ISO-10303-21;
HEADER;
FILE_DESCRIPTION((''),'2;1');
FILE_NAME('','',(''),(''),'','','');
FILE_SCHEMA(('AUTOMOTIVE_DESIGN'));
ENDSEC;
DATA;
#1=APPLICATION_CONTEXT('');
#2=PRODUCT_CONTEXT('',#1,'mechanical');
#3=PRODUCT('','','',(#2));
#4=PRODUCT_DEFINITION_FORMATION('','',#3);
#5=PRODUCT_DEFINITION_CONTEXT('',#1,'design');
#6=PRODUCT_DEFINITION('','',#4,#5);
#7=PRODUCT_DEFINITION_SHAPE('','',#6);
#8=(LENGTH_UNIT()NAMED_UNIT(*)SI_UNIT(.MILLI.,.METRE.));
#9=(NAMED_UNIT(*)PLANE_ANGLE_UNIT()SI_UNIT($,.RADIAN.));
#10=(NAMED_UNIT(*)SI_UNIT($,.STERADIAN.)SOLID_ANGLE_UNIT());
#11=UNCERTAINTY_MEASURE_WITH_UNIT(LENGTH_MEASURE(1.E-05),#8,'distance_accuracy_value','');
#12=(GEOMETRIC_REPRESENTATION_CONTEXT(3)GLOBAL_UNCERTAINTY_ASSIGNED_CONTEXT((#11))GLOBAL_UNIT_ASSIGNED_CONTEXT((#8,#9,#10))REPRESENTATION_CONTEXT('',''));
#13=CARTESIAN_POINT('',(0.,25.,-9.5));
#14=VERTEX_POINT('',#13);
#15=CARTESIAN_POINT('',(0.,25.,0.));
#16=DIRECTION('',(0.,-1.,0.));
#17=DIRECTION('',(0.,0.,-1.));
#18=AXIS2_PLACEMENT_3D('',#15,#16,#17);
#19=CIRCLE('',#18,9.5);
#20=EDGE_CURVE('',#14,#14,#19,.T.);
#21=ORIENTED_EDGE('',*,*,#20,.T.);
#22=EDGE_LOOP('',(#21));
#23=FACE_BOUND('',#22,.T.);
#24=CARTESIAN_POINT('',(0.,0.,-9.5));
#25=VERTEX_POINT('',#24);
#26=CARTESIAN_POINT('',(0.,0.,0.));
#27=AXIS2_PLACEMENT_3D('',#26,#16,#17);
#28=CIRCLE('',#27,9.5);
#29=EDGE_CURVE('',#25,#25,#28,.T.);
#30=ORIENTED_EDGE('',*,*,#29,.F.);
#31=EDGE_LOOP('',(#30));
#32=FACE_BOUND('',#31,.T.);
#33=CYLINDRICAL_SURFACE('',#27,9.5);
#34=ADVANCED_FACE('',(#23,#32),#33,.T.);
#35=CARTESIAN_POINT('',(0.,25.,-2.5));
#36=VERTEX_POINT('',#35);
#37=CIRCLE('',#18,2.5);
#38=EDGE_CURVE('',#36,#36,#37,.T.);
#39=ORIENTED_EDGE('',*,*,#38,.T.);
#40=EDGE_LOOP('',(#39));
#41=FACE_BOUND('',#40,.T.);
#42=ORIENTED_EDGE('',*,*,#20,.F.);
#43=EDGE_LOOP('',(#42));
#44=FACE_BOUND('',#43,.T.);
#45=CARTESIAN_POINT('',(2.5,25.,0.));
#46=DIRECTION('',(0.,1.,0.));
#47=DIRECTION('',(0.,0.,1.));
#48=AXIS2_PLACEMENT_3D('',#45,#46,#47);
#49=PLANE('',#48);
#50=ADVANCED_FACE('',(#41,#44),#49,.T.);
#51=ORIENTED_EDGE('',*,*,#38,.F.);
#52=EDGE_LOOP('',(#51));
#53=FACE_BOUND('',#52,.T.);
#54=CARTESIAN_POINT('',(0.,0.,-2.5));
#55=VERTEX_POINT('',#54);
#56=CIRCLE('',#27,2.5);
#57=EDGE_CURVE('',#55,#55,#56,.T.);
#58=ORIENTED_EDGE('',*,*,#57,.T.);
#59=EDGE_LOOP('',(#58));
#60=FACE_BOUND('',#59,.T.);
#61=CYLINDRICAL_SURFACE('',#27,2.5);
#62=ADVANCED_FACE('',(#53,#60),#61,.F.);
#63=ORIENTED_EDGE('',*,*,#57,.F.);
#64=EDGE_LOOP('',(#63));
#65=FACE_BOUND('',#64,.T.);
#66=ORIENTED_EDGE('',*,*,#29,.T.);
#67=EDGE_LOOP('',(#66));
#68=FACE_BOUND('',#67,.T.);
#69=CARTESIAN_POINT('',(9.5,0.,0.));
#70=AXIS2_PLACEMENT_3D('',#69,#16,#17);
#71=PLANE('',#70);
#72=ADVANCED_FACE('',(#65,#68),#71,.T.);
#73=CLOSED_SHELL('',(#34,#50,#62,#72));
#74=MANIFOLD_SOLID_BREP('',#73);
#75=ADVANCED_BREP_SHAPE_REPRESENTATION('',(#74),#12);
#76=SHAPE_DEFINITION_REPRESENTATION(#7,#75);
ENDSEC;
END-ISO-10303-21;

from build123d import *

# Parameters (mm, degrees)
SKETCH1_W = 7
SKETCH1_H = 25


with BuildPart() as part:
    # Sketch1 → Revolve1 (revolve)
    with BuildSketch(Plane.XY, mode=Mode.PRIVATE) as revolve1_sk:
        with Locations((6, 12.5)):
            Rectangle(SKETCH1_W, SKETCH1_H)
    revolve(revolve1_sk.sketch.rotate(Axis((0, 0, 0), (0, 1, 0)), 90), axis=Axis((0, 0, 0), (0, 1, 0)))


solid = part.part
